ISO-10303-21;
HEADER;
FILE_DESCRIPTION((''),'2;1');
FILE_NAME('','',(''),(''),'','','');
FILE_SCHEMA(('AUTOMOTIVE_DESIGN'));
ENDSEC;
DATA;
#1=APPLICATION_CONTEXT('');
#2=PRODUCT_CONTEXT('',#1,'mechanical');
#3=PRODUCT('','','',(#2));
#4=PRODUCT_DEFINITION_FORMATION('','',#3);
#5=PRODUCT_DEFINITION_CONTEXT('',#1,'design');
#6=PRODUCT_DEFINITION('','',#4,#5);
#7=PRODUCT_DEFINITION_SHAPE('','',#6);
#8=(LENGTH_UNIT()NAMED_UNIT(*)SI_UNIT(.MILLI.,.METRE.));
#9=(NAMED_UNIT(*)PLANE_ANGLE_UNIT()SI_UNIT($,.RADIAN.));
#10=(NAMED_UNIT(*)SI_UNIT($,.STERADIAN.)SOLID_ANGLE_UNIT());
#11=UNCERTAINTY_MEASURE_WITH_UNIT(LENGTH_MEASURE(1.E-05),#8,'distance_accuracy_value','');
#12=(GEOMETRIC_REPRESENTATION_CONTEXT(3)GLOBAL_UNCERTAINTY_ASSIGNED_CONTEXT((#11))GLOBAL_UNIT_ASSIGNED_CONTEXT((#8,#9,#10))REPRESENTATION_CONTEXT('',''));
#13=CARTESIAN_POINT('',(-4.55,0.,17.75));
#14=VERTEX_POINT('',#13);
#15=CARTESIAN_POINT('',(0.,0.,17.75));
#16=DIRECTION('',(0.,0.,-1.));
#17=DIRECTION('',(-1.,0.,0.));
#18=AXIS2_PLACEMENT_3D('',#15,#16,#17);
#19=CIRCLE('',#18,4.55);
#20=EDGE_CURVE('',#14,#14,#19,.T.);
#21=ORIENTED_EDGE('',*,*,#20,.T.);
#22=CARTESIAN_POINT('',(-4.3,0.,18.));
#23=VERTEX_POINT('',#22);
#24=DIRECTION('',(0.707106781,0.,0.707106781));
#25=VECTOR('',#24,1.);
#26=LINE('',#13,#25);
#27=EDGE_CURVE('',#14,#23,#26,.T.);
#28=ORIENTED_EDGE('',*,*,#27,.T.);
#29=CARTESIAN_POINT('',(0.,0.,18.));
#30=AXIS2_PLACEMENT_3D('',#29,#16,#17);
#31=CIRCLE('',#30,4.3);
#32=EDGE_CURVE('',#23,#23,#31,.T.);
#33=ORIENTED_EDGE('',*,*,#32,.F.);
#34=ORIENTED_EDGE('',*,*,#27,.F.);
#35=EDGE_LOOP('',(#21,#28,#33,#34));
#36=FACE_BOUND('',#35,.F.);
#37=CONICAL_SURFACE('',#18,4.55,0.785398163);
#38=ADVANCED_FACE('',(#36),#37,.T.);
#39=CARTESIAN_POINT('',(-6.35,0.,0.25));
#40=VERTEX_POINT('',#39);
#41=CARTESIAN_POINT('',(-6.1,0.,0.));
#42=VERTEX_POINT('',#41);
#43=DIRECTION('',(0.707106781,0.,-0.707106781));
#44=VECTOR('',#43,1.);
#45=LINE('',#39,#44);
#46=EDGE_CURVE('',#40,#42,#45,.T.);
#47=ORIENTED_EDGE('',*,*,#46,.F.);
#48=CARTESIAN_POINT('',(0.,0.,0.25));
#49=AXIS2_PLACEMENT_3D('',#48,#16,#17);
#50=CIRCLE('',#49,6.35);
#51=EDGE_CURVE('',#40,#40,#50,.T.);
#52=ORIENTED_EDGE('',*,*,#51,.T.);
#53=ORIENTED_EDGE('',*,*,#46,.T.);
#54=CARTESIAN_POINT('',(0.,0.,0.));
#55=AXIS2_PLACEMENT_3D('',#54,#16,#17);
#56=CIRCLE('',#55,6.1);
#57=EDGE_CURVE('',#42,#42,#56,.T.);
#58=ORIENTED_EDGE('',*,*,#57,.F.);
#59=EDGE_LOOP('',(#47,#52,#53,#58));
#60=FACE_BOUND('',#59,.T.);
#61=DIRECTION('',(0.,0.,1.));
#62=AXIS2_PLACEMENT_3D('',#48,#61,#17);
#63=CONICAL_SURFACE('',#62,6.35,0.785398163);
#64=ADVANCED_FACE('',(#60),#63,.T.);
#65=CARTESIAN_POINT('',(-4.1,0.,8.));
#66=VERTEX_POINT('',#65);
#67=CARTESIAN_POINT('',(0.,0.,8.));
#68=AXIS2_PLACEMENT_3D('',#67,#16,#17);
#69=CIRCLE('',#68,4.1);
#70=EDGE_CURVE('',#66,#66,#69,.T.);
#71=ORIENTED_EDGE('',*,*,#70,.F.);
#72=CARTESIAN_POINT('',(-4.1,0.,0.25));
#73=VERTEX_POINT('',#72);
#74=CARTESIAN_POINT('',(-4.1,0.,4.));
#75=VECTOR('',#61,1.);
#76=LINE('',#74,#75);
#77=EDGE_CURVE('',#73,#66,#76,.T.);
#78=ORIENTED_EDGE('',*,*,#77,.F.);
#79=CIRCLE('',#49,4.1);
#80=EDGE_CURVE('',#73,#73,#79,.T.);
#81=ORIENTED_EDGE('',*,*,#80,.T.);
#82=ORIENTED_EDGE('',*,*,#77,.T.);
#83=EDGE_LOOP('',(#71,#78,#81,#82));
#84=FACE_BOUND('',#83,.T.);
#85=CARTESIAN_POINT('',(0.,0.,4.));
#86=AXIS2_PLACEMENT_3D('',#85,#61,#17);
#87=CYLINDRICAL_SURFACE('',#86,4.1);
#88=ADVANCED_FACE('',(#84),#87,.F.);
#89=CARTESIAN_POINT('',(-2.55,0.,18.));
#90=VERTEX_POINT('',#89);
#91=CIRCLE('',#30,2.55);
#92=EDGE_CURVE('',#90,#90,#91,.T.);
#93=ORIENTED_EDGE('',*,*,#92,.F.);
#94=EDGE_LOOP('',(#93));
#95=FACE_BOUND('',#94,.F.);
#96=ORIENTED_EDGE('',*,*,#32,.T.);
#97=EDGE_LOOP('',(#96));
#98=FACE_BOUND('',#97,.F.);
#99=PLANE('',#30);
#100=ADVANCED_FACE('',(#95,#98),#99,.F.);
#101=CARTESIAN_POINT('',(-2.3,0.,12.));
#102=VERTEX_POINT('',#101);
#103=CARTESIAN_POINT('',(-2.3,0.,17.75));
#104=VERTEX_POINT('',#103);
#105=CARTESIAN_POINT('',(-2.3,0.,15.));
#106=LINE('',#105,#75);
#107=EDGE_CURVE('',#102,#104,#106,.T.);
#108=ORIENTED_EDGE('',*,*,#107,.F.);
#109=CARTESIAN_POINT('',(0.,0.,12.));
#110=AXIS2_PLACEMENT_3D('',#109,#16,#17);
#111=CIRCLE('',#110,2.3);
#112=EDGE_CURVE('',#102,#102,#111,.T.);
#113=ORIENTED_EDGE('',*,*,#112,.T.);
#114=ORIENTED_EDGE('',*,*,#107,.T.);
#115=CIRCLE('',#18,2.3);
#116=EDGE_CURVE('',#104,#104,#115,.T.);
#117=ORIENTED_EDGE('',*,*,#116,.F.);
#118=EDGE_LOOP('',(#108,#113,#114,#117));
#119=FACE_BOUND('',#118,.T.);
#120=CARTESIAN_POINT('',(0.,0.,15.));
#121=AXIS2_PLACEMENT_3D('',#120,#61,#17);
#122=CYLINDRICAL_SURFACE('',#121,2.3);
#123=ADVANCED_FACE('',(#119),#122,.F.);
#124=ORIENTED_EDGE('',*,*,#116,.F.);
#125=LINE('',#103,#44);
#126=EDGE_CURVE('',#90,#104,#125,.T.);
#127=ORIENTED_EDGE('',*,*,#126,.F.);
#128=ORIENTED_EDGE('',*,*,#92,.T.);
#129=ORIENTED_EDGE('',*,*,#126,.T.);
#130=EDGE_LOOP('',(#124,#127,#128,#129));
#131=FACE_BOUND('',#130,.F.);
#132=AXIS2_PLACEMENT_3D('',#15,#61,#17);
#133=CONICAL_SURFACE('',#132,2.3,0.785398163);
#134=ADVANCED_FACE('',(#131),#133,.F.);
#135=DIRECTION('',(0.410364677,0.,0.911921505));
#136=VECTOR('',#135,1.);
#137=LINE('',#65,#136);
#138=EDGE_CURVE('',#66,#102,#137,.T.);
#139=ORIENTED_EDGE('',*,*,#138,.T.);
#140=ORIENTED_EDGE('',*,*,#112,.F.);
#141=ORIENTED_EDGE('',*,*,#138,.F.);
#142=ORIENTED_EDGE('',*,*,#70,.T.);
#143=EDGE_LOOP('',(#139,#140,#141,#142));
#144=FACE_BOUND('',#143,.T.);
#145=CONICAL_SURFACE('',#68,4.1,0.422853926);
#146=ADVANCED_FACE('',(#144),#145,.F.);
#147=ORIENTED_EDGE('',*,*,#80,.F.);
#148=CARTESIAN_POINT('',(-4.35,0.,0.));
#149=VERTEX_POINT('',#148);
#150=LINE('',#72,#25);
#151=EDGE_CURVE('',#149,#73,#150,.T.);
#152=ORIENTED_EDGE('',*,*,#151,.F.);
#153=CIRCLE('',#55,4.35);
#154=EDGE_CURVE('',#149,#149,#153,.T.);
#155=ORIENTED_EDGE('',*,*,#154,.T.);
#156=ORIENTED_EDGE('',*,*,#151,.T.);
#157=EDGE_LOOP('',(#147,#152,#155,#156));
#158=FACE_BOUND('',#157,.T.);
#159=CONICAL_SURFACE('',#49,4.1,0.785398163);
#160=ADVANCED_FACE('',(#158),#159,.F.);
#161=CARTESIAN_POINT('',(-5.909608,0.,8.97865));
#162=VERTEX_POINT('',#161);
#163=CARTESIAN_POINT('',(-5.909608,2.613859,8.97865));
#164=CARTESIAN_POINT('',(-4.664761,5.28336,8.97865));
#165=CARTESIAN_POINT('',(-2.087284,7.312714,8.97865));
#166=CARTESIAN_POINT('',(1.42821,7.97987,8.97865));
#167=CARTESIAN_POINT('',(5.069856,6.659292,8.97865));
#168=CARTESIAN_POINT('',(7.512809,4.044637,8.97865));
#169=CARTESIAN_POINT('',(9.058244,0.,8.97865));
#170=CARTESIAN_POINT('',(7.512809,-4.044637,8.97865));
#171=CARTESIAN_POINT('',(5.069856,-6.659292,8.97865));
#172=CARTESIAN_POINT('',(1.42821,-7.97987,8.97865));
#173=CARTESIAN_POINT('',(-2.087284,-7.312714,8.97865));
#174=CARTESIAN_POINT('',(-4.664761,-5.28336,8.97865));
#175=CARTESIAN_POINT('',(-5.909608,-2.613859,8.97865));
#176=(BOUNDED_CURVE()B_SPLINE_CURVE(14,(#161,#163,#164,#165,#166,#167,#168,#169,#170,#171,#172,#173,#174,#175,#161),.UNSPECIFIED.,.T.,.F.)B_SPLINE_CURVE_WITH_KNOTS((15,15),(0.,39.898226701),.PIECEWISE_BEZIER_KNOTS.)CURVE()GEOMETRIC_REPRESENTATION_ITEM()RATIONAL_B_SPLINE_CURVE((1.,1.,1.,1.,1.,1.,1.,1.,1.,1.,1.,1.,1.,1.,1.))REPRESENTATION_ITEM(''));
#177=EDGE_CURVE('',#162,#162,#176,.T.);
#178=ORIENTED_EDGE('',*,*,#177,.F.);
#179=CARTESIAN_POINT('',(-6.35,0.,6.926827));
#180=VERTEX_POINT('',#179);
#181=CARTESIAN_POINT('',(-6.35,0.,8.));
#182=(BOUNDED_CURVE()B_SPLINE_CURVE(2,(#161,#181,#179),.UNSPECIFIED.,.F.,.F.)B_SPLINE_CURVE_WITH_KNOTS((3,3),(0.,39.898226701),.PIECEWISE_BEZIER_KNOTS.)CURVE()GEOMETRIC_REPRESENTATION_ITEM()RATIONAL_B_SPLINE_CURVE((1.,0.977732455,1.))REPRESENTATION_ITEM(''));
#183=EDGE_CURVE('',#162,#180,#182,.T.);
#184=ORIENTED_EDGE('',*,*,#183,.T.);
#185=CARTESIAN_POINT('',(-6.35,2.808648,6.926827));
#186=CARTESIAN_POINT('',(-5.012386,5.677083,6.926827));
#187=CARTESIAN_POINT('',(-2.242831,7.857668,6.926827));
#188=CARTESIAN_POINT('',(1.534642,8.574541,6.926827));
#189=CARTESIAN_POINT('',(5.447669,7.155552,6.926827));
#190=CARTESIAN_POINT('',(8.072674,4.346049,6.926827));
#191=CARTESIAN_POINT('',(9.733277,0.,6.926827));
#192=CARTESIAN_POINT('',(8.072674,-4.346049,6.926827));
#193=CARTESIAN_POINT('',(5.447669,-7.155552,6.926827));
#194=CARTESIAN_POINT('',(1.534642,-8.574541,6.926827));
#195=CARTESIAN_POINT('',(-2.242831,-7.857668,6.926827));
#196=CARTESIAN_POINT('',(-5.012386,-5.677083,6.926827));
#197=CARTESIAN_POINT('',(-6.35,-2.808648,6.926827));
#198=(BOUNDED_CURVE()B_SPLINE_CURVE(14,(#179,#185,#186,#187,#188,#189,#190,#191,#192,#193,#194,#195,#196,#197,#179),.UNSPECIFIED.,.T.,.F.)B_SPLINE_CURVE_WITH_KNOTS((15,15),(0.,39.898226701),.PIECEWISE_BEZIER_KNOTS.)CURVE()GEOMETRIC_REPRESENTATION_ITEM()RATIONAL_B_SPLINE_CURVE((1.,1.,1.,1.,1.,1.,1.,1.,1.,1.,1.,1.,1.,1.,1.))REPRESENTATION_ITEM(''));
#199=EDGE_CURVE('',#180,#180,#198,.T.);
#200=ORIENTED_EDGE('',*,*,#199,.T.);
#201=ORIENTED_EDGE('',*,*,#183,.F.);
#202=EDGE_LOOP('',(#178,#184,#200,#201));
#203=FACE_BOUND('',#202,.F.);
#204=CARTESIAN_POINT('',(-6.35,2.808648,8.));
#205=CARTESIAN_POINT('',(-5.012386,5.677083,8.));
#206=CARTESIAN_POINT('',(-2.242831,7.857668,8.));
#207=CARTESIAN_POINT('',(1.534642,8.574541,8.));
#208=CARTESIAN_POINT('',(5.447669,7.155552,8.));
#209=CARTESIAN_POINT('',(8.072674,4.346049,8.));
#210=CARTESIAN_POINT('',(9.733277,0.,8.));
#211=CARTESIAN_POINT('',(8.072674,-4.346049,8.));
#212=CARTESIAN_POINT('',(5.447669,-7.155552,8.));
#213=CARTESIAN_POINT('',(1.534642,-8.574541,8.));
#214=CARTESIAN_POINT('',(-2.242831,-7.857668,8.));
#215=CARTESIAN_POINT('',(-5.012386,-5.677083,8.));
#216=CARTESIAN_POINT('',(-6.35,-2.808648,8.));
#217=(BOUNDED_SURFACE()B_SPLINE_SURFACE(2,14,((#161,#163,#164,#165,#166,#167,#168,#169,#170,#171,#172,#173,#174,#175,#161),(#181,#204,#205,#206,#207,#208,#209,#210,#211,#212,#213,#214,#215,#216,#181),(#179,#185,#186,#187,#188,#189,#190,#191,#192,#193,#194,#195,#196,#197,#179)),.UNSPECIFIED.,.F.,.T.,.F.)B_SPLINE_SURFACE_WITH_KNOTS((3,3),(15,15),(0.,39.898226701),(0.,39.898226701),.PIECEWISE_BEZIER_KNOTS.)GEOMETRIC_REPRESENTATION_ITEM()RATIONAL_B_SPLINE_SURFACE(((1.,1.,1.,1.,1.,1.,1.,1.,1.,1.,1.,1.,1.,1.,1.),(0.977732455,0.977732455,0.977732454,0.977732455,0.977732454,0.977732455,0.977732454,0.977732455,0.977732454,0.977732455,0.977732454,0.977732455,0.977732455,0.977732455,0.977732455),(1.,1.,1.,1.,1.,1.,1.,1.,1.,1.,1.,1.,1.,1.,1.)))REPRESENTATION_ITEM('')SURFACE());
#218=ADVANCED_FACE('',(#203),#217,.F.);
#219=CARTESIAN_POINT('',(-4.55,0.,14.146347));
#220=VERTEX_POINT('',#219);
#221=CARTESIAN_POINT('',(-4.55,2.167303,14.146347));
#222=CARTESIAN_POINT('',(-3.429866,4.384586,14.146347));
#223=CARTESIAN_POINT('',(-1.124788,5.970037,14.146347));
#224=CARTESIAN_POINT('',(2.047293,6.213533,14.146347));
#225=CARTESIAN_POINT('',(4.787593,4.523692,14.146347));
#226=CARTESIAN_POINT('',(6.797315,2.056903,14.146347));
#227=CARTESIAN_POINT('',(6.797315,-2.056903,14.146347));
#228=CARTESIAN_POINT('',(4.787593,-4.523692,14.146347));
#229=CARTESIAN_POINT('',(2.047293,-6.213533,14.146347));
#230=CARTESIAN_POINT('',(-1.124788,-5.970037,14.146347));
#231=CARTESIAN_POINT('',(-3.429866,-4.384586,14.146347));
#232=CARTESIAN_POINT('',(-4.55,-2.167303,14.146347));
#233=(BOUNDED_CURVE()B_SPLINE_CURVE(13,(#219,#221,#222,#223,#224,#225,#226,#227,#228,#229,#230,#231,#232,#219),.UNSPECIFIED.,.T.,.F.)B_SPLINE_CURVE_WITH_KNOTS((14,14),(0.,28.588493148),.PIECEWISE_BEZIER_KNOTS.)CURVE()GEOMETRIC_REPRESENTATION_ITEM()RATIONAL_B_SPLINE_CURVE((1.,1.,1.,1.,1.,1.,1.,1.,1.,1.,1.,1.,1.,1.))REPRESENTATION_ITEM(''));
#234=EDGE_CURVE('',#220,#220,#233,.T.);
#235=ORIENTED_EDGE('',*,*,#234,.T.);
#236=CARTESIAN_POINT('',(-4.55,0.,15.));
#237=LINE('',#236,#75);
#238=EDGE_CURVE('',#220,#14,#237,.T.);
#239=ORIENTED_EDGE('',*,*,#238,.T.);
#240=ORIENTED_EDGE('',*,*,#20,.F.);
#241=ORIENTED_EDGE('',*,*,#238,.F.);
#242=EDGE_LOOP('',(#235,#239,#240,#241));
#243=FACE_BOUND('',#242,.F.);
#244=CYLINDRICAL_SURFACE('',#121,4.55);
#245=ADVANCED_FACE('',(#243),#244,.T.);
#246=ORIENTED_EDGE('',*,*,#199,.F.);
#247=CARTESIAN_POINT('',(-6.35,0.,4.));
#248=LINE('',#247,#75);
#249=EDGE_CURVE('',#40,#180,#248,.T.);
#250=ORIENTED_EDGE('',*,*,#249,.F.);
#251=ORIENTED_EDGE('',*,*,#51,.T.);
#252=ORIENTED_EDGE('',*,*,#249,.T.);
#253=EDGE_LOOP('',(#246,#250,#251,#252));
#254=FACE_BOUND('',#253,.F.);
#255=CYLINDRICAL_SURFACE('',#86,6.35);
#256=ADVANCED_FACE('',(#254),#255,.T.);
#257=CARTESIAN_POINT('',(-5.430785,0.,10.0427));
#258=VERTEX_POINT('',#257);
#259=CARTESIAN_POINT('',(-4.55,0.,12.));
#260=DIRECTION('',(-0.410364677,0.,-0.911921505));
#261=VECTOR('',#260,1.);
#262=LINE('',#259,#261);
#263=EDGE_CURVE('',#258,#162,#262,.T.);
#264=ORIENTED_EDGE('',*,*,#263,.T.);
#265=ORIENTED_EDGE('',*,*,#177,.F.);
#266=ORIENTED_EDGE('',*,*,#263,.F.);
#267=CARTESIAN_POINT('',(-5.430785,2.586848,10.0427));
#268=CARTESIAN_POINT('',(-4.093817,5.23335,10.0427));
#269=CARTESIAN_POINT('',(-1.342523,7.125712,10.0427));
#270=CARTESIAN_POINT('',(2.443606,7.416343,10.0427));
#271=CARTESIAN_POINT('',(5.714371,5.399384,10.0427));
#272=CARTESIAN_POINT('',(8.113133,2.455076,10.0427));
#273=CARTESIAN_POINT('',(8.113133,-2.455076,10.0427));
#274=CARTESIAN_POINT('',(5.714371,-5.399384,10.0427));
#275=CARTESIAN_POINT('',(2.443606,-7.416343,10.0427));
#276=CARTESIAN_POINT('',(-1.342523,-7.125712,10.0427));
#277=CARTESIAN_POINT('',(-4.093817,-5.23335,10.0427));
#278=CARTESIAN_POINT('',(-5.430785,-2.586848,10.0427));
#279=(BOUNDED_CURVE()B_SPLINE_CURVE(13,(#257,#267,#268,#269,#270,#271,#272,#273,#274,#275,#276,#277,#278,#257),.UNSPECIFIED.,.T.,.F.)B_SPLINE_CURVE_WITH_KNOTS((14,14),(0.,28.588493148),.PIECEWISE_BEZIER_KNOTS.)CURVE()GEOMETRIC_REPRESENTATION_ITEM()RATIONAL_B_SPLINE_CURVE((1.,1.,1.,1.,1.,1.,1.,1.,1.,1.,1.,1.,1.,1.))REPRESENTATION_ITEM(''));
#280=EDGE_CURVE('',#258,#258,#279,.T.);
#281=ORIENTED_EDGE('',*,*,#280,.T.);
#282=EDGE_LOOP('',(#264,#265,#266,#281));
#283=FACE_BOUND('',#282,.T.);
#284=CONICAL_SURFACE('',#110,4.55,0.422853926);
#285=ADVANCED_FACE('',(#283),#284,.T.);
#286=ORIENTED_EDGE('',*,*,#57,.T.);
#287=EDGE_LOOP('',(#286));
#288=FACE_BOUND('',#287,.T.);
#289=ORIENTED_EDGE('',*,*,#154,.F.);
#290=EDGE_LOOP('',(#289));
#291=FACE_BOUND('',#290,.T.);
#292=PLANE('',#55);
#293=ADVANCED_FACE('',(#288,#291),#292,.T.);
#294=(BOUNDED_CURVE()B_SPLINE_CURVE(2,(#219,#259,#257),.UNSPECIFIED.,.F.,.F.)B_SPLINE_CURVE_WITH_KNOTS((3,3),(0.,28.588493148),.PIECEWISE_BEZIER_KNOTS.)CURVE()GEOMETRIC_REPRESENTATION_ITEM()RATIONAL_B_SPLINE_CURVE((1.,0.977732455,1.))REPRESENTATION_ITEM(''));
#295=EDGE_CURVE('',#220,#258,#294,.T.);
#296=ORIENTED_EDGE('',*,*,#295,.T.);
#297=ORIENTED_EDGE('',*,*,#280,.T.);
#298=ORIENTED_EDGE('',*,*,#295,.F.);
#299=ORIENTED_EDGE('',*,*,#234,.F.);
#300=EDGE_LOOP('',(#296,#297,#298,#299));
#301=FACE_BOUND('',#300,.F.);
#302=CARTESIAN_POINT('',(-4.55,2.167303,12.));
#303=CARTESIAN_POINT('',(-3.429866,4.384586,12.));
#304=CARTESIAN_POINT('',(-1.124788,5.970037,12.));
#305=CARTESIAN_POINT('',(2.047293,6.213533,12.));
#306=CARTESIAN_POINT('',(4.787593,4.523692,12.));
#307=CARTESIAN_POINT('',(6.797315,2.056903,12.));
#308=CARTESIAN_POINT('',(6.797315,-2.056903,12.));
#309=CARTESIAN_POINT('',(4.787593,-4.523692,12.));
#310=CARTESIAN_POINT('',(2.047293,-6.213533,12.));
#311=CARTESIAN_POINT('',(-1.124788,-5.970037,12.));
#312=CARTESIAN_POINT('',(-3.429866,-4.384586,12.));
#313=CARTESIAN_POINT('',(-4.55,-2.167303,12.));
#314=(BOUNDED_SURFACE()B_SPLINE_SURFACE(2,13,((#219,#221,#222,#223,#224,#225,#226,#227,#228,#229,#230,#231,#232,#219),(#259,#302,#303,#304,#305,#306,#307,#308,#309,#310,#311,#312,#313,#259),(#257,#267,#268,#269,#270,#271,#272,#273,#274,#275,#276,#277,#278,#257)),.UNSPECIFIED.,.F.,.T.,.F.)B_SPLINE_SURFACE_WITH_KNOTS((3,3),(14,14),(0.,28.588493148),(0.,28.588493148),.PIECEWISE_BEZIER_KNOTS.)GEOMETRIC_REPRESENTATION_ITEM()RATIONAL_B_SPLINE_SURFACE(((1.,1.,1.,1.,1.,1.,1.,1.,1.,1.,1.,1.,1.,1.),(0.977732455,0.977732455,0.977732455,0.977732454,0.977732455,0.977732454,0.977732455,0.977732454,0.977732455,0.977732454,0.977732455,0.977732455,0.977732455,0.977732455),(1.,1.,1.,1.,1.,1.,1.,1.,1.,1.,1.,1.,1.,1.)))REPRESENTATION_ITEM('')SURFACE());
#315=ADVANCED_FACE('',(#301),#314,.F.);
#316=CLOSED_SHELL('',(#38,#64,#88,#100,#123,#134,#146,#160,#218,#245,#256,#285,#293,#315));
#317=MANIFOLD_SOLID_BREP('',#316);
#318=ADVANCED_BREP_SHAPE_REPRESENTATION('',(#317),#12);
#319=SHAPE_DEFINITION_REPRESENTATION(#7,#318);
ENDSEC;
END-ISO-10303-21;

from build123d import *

# Parameters (mm, degrees)
F0_W    = 2.25
F0_H    = 6
F0_H_2  = 8
F2_SIZE = 0.25
F3_SIZE = 0.25
F4_R    = 10
F5_R    = 5


with BuildPart() as f1:
    # F0 (on Front) → F1 (revolve)
    with BuildSketch(Plane.XZ):
        with Locations((-3.425, 15)):
            Rectangle(F0_W, F0_H)
        Polygon((-6.35, 8), (-4.1, 8), (-2.3, 12), (-4.55, 12), align=None)
        with Locations((-5.225, 4)):
            Rectangle(F0_W, F0_H_2)
    revolve(axis=Axis((0, 0, 11.346421), (0, 0, -1)))

    # F2
    f2_edges = [f1.edges().sort_by_distance(p)[0] for p in [
        (6.35, 0, 0),
        (4.1, 0, 0),
    ]]
    chamfer(f2_edges, length=F2_SIZE)

    # F3
    f3_edges = [f1.edges().sort_by_distance(p)[0] for p in [
        (2.3, 0, 18),
        (4.55, 0, 18),
    ]]
    chamfer(f3_edges, length=F3_SIZE)

    # F4
    f4_edges = [f1.edges().sort_by_distance(p)[0] for p in [
        (4.55, 0, 12),
    ]]
    fillet(f4_edges, radius=F4_R)

    # F5
    f5_edges = [f1.edges().sort_by_distance(p)[0] for p in [
        (6.35, 0, 8),
    ]]
    fillet(f5_edges, radius=F5_R)


solid = f1.part
